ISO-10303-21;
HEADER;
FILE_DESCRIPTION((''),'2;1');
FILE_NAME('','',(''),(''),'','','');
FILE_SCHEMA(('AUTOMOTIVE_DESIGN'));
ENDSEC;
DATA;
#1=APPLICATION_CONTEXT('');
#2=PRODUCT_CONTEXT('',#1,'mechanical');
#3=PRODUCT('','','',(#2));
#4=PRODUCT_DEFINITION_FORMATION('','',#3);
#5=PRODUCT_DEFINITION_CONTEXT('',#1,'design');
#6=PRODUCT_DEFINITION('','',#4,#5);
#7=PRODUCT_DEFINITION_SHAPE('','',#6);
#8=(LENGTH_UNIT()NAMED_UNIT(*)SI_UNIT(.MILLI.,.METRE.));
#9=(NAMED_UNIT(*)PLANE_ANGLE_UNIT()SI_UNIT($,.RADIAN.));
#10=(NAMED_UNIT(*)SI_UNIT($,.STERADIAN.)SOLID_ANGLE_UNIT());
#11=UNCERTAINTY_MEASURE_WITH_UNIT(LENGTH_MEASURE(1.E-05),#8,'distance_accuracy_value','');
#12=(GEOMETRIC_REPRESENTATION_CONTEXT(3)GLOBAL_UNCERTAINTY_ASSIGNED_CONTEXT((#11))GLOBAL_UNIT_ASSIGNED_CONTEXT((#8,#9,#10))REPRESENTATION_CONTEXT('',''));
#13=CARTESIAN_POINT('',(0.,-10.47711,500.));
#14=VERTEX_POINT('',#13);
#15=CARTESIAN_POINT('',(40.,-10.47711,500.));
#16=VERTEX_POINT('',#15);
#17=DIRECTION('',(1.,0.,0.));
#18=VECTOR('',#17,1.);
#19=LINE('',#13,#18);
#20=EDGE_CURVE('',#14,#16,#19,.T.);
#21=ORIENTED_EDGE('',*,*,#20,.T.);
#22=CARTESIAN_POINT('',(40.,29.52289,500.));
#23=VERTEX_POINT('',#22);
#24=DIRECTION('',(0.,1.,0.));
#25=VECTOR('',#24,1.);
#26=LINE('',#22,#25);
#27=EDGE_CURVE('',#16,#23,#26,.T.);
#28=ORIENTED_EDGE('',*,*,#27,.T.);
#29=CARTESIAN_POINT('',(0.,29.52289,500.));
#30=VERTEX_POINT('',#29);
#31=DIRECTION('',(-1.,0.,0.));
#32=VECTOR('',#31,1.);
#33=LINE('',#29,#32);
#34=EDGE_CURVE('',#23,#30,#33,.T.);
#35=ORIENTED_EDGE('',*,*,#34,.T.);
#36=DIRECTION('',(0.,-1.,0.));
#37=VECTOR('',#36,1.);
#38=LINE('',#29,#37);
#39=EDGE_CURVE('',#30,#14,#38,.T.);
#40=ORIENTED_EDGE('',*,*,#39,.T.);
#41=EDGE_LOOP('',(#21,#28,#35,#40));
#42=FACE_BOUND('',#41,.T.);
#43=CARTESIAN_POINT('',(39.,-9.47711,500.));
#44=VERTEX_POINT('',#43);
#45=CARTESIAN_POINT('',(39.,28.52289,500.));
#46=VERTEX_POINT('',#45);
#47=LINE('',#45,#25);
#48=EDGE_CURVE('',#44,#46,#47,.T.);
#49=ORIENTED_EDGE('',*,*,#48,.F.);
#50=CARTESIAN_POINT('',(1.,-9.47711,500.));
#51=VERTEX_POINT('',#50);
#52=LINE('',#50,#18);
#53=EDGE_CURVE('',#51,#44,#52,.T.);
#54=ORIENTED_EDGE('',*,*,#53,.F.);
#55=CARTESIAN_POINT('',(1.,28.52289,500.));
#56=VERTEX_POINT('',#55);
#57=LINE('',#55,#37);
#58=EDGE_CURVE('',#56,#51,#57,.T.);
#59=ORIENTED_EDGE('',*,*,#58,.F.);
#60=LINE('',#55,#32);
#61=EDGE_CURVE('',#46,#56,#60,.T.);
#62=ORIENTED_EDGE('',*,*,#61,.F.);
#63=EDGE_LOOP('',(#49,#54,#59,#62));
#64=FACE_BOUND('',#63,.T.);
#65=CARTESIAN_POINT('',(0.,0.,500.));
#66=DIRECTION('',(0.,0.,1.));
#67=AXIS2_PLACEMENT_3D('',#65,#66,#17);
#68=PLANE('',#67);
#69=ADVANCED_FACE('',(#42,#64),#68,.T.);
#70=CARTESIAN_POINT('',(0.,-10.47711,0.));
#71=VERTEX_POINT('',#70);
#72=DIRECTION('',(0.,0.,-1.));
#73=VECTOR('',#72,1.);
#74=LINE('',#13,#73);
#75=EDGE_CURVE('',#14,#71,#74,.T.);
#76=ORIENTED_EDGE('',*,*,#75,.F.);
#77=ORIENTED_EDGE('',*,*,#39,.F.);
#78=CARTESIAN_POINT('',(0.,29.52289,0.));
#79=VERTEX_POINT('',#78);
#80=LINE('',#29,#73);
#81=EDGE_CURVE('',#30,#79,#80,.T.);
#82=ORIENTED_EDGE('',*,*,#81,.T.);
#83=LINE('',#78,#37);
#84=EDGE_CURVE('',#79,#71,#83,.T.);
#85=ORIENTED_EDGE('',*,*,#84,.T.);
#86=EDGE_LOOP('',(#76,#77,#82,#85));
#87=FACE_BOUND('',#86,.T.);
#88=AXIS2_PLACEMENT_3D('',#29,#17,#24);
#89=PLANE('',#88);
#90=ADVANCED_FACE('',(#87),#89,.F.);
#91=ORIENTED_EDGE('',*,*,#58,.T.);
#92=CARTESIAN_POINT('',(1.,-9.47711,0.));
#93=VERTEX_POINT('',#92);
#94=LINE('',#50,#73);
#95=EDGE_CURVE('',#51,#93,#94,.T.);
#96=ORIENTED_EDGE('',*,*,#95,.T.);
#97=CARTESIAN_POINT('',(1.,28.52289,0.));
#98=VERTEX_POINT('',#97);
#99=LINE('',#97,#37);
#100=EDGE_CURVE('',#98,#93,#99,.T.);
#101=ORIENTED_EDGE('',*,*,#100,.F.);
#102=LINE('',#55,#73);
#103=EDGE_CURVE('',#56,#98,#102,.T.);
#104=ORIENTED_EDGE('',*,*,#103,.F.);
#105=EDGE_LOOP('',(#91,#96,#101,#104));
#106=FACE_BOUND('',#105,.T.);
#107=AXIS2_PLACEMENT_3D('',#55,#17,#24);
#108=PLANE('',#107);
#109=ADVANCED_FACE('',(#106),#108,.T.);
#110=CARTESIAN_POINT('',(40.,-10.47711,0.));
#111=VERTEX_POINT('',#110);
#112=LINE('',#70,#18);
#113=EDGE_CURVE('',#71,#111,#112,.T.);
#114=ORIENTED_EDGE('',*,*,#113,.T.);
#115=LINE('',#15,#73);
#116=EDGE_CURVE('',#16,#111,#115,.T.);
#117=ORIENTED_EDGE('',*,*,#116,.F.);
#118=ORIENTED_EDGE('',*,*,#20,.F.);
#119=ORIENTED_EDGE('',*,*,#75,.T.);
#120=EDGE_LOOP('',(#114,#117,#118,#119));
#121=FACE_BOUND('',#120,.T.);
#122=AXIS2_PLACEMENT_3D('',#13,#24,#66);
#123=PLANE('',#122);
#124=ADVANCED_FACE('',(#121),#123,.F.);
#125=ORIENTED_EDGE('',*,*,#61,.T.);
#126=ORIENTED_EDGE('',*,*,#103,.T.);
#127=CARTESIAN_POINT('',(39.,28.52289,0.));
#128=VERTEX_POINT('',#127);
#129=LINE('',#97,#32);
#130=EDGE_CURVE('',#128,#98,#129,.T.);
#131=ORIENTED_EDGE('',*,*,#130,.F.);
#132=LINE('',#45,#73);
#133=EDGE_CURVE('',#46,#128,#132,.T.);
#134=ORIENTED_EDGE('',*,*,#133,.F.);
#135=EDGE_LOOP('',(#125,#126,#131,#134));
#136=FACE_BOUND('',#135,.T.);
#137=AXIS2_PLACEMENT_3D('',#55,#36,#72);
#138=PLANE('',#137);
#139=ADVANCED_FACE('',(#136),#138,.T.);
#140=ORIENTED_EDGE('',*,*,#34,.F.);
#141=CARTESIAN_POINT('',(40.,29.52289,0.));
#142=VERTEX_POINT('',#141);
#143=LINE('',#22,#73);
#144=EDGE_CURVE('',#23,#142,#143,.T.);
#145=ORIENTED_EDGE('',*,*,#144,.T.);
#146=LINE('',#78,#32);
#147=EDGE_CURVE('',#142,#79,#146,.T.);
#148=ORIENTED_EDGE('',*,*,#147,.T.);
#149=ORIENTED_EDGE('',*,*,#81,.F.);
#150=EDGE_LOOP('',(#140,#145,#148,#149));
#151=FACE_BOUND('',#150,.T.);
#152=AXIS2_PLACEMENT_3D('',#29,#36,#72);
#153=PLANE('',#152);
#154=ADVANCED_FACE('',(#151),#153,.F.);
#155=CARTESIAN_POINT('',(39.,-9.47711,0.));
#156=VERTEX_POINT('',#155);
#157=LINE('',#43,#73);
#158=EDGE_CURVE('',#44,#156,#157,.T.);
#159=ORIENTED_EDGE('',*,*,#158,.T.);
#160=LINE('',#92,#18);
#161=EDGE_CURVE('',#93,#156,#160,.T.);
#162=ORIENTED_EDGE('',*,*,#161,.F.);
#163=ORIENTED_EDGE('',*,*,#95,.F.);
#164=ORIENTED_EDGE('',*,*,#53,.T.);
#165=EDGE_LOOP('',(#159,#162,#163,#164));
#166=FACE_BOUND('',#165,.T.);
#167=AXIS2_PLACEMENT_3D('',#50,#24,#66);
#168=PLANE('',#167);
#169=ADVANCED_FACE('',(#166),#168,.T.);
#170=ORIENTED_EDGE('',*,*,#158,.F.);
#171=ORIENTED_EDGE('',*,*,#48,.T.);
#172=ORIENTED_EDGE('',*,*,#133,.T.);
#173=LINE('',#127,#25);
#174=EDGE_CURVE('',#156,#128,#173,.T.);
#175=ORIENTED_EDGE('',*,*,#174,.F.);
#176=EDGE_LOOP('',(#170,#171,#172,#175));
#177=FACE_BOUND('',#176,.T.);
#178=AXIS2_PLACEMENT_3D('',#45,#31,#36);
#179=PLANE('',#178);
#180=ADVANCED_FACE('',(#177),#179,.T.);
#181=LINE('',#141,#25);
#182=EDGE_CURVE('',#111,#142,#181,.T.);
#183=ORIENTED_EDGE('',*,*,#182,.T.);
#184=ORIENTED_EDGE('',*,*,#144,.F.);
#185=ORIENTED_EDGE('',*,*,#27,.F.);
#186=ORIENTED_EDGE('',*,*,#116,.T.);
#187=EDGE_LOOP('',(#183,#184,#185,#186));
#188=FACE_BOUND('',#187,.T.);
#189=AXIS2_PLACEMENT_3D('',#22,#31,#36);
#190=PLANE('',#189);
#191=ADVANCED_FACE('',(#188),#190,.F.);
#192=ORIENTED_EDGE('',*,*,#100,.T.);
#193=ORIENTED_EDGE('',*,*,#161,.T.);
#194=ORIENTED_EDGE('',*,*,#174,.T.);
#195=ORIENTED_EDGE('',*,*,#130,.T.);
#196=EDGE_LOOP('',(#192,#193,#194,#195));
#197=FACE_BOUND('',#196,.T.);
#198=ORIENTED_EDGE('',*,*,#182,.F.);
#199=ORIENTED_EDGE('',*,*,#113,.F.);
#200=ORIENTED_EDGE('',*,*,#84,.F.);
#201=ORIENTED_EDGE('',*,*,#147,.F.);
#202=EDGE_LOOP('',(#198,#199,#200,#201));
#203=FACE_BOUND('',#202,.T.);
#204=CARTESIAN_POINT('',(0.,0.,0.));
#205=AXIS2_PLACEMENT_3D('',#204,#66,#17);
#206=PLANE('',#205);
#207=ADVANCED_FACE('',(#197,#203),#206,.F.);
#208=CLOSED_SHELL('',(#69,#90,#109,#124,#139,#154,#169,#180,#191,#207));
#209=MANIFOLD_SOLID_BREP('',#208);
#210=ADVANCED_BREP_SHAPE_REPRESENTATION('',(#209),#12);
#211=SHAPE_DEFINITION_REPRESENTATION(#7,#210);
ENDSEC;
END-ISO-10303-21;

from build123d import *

# Parameters (mm, degrees)
SZKIC1_W                    = 40
SZKIC1_H                    = 40
SZKIC1_W_2                  = 38
SZKIC1_H_2                  = 38
DODANIE_WYCI_GNI_CIE1_DEPTH = 500


with BuildPart() as part:
    # Szkic1 → Dodanie-wyciągnięcie1 (new body)
    with BuildSketch(Plane.XY):
        with Locations((20, 9.522889604)):
            Rectangle(SZKIC1_W, SZKIC1_H)
        with Locations((20, 9.522889604)):
            Rectangle(SZKIC1_W_2, SZKIC1_H_2, mode=Mode.SUBTRACT)
    extrude(amount=DODANIE_WYCI_GNI_CIE1_DEPTH)


solid = part.part
